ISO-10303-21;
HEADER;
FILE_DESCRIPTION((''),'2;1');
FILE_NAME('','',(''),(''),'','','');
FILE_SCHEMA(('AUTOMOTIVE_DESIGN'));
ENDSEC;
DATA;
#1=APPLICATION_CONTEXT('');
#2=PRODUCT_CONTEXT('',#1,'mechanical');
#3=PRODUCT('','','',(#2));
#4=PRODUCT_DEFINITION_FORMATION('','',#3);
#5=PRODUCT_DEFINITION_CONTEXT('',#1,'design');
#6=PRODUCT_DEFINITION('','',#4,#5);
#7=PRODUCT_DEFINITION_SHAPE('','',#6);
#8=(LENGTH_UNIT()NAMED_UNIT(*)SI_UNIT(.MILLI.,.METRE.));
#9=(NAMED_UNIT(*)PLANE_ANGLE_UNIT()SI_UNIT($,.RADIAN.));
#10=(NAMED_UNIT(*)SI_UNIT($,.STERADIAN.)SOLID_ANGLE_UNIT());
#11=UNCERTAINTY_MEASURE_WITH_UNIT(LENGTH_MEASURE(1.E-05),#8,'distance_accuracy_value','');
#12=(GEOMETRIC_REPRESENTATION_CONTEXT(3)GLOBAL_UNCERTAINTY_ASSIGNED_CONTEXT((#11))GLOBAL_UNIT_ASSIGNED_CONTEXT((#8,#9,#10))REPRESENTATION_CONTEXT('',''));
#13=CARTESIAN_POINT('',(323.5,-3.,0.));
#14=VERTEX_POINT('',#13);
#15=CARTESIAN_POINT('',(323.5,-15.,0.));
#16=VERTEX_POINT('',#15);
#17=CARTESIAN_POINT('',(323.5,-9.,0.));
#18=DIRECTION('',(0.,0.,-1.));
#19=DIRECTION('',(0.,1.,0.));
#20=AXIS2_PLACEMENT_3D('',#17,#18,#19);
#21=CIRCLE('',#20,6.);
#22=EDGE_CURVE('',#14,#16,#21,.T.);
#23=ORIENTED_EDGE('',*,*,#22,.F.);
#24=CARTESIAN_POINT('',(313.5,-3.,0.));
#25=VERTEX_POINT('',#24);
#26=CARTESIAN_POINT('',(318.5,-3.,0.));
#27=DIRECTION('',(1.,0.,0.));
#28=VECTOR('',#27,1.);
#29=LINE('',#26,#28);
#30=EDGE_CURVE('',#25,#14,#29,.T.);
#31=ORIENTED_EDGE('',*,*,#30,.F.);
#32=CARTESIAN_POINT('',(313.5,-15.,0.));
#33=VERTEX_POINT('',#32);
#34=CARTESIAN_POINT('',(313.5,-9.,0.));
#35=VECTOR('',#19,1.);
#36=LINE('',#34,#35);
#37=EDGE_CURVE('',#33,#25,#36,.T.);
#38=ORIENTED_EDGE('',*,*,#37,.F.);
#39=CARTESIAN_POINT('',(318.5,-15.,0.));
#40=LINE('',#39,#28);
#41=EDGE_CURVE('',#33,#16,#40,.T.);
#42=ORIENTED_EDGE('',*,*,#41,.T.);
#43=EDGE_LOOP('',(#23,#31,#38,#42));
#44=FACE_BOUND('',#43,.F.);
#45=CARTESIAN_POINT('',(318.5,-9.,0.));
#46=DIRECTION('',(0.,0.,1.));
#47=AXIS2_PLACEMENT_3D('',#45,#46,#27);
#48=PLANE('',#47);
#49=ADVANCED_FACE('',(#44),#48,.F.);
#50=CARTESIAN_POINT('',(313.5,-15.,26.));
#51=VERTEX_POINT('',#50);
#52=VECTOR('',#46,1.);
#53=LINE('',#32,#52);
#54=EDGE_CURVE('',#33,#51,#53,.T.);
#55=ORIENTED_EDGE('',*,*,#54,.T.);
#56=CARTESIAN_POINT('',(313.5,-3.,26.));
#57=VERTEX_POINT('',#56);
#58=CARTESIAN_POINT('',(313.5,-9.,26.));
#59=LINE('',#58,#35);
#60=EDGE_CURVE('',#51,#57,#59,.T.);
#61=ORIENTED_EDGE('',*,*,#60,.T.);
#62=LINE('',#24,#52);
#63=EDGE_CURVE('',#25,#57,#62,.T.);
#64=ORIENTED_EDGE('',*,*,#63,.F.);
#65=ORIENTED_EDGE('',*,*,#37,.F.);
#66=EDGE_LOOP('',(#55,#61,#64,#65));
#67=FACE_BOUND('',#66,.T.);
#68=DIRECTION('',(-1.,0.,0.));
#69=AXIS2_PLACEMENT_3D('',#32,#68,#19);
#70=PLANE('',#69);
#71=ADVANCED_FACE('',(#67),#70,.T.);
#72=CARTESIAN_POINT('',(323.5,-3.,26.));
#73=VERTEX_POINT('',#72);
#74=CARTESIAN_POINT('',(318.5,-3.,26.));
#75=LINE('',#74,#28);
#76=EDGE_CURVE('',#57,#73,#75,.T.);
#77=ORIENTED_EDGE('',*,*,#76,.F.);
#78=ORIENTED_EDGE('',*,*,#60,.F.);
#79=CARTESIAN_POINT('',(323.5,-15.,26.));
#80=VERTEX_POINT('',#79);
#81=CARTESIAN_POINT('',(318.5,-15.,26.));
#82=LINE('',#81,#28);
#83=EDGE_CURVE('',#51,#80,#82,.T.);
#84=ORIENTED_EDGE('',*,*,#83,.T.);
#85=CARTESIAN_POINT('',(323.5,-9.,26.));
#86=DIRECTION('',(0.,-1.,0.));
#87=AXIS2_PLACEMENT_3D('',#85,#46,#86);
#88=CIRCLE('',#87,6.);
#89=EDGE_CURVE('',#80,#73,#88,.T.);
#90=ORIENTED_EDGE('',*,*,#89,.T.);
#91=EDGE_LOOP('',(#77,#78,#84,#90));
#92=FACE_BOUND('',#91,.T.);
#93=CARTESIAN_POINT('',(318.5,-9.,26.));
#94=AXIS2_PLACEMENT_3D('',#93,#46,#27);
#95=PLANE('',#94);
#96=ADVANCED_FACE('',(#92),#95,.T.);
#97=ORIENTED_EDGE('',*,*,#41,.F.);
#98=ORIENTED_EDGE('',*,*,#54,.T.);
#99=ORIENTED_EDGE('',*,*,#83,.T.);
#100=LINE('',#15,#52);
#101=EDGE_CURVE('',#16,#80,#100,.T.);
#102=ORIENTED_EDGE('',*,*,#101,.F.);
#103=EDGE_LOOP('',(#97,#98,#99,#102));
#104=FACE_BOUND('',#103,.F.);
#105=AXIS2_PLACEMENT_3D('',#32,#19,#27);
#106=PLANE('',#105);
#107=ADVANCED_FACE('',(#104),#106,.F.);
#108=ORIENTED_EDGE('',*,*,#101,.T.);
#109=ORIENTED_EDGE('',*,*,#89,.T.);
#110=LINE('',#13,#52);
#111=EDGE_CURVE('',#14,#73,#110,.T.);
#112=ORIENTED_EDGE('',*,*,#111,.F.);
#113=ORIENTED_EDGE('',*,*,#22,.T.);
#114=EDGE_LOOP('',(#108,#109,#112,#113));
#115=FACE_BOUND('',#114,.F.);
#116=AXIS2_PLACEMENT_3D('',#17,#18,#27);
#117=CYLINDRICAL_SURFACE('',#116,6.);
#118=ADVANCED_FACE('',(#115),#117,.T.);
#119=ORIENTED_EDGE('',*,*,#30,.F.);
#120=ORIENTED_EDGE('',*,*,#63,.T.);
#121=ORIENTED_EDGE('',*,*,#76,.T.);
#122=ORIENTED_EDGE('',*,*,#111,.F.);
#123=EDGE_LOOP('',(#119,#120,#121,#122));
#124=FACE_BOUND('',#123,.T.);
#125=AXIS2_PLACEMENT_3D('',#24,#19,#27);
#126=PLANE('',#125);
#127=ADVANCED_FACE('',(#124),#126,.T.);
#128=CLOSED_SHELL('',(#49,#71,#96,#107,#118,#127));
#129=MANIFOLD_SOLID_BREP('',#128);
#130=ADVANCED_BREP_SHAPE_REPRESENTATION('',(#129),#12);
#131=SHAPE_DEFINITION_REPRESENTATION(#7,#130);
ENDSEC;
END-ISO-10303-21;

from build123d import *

# Parameters (mm, degrees)
BOX_W             = 10
BOX_H             = 12
BOX_DEPTH         = 26
CYLINDER001_R     = 6
CYLINDER001_DEPTH = 26


with BuildPart() as cube:
    # Box → Box (new body)
    with BuildSketch(Plane(origin=(313.5, -15, 0), x_dir=(1, 0, 0), z_dir=(0, 0, 1))):
        with Locations((5, 6)):
            Rectangle(BOX_W, BOX_H)
    extrude(amount=BOX_DEPTH)


with BuildPart() as cut_probe:
    # Cylinder001 → Cylinder001 (new body)
    with BuildSketch(Plane(origin=(323.5, -9, 0), x_dir=(1, 0, 0), z_dir=(0, 0, 1))):
        Circle(CYLINDER001_R)
    extrude(amount=CYLINDER001_DEPTH)

    # Fusion: union Cube
    add(cube.part)


solid = cut_probe.part
